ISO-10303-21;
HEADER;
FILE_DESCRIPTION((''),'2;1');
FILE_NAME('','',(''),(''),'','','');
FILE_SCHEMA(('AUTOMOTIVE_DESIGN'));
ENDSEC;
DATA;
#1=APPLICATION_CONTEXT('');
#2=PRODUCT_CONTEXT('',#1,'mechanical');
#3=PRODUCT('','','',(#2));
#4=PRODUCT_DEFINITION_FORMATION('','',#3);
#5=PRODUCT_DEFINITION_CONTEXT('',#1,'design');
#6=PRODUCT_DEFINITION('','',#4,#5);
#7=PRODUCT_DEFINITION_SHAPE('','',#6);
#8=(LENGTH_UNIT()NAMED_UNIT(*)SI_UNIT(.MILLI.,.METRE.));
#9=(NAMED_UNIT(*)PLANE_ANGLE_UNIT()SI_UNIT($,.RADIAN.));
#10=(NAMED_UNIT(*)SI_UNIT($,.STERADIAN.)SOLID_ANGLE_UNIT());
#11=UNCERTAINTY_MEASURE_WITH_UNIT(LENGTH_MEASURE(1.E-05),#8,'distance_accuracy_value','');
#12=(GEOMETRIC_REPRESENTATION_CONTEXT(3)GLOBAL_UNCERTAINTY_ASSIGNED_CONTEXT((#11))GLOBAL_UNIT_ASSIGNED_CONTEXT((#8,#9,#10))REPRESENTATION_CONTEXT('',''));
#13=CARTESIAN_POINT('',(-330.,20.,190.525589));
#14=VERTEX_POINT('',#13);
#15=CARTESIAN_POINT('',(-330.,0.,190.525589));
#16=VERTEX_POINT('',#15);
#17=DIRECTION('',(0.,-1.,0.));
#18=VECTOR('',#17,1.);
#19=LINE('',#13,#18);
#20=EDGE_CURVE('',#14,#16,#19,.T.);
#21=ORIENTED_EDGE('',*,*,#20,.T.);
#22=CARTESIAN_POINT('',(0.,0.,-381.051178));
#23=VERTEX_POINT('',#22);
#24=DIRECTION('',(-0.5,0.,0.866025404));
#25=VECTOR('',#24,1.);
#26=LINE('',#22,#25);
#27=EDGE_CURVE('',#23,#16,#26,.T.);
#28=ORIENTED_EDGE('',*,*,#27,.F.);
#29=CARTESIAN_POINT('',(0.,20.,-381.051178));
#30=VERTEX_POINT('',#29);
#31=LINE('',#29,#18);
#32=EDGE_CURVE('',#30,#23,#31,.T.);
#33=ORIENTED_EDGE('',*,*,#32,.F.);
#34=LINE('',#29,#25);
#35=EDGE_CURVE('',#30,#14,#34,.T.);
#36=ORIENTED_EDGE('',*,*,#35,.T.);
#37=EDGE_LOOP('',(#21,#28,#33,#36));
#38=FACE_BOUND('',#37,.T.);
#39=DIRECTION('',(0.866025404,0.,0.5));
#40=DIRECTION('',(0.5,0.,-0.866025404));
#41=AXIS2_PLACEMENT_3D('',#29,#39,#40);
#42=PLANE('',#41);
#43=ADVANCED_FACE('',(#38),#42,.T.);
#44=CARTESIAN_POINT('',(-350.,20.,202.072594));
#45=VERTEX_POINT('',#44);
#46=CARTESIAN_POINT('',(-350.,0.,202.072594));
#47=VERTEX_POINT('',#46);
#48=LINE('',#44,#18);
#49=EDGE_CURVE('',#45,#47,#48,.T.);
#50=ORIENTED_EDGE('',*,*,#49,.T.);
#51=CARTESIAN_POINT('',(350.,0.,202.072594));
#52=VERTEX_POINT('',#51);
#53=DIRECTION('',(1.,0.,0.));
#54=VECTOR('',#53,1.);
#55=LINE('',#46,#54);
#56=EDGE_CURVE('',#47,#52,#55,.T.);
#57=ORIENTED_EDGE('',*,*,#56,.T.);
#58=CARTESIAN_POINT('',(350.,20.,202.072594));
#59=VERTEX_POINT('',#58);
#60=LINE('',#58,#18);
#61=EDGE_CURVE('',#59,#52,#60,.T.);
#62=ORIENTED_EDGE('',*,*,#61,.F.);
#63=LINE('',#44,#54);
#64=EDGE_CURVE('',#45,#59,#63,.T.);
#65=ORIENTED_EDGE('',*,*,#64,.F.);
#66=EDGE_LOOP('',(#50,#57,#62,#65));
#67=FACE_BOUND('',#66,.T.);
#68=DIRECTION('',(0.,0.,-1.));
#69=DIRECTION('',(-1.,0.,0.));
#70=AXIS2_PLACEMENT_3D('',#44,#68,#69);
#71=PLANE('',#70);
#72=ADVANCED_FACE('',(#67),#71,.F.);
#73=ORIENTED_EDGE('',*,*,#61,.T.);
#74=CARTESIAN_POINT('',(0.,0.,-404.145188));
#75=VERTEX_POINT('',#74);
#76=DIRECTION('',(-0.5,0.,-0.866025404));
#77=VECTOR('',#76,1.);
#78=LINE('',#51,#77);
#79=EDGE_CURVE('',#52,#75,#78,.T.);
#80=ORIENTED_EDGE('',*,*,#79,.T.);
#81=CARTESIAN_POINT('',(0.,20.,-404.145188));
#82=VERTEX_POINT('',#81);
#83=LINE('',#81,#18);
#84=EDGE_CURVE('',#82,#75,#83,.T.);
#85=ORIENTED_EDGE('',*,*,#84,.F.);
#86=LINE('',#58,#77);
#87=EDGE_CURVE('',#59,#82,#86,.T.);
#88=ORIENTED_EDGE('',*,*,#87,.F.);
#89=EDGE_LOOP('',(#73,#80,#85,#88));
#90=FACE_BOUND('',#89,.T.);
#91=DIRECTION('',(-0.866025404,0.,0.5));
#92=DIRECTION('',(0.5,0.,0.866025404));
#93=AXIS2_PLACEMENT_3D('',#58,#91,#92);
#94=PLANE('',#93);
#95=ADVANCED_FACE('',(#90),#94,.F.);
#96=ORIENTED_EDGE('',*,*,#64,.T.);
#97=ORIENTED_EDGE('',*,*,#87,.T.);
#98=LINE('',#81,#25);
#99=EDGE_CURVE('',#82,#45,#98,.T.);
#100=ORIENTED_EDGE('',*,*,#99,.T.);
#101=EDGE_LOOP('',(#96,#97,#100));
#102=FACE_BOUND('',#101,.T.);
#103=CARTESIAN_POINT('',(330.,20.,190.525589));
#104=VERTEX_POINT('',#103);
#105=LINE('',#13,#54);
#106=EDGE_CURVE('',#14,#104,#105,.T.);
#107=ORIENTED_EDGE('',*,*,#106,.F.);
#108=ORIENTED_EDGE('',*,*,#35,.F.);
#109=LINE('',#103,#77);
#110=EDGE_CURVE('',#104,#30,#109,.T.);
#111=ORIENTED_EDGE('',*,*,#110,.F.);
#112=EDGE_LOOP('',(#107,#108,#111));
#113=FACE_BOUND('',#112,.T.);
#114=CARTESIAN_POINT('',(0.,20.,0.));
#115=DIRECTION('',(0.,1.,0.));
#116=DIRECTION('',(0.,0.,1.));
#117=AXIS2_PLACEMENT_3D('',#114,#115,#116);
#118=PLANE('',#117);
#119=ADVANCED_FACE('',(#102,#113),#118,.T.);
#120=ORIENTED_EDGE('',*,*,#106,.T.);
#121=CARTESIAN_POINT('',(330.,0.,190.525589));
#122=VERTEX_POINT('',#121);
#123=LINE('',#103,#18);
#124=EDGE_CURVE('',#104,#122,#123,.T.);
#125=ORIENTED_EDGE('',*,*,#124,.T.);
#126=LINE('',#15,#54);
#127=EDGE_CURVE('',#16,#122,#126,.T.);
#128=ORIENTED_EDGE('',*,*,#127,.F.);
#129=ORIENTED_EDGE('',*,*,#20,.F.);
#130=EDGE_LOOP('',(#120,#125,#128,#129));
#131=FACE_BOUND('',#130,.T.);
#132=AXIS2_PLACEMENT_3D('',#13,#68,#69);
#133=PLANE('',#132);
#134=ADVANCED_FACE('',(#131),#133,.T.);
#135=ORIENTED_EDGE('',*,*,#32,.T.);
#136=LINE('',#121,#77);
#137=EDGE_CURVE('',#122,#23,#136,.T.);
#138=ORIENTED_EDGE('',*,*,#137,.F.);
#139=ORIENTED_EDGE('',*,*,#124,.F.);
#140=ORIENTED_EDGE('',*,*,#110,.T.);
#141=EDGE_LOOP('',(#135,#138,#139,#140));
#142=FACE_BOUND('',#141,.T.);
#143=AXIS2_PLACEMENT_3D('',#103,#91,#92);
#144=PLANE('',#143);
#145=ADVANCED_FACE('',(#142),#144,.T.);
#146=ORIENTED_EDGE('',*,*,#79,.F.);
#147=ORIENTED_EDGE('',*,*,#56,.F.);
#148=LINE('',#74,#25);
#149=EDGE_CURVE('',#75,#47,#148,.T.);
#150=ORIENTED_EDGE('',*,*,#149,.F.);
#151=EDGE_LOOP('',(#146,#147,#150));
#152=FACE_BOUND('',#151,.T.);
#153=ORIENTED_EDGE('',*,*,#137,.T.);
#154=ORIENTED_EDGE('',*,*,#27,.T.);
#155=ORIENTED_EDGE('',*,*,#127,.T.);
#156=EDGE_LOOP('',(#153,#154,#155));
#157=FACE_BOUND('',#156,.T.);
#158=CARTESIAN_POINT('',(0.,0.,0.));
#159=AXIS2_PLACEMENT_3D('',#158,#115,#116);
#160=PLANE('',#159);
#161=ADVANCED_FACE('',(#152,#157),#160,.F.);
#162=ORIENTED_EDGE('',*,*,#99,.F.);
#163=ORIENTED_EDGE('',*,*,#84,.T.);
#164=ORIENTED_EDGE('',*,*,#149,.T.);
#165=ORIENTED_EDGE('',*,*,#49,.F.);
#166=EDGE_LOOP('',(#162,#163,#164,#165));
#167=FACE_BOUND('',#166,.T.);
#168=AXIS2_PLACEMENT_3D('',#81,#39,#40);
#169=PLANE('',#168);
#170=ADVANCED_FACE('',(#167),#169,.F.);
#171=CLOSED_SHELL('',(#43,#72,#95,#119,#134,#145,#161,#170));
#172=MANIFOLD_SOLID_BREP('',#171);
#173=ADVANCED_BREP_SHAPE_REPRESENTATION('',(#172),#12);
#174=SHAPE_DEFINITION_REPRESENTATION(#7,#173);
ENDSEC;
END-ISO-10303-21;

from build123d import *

# Parameters (mm, degrees)
BOSS_EXTRUDE1_DEPTH = 20


with BuildPart() as part:
    # Sketch1 → Boss-Extrude1 (new body)
    with BuildSketch(Plane(origin=(0, 0, 0), x_dir=(1, 0, 0), z_dir=(0, 1, 0))):
        Polygon((0, 404.145188433), (-350, -202.072594216), (350, -202.072594216), align=None)
        Polygon((0, 381.051177665), (-330, -190.525588833), (330, -190.525588833), align=None, mode=Mode.SUBTRACT)
    extrude(amount=BOSS_EXTRUDE1_DEPTH)


solid = part.part
